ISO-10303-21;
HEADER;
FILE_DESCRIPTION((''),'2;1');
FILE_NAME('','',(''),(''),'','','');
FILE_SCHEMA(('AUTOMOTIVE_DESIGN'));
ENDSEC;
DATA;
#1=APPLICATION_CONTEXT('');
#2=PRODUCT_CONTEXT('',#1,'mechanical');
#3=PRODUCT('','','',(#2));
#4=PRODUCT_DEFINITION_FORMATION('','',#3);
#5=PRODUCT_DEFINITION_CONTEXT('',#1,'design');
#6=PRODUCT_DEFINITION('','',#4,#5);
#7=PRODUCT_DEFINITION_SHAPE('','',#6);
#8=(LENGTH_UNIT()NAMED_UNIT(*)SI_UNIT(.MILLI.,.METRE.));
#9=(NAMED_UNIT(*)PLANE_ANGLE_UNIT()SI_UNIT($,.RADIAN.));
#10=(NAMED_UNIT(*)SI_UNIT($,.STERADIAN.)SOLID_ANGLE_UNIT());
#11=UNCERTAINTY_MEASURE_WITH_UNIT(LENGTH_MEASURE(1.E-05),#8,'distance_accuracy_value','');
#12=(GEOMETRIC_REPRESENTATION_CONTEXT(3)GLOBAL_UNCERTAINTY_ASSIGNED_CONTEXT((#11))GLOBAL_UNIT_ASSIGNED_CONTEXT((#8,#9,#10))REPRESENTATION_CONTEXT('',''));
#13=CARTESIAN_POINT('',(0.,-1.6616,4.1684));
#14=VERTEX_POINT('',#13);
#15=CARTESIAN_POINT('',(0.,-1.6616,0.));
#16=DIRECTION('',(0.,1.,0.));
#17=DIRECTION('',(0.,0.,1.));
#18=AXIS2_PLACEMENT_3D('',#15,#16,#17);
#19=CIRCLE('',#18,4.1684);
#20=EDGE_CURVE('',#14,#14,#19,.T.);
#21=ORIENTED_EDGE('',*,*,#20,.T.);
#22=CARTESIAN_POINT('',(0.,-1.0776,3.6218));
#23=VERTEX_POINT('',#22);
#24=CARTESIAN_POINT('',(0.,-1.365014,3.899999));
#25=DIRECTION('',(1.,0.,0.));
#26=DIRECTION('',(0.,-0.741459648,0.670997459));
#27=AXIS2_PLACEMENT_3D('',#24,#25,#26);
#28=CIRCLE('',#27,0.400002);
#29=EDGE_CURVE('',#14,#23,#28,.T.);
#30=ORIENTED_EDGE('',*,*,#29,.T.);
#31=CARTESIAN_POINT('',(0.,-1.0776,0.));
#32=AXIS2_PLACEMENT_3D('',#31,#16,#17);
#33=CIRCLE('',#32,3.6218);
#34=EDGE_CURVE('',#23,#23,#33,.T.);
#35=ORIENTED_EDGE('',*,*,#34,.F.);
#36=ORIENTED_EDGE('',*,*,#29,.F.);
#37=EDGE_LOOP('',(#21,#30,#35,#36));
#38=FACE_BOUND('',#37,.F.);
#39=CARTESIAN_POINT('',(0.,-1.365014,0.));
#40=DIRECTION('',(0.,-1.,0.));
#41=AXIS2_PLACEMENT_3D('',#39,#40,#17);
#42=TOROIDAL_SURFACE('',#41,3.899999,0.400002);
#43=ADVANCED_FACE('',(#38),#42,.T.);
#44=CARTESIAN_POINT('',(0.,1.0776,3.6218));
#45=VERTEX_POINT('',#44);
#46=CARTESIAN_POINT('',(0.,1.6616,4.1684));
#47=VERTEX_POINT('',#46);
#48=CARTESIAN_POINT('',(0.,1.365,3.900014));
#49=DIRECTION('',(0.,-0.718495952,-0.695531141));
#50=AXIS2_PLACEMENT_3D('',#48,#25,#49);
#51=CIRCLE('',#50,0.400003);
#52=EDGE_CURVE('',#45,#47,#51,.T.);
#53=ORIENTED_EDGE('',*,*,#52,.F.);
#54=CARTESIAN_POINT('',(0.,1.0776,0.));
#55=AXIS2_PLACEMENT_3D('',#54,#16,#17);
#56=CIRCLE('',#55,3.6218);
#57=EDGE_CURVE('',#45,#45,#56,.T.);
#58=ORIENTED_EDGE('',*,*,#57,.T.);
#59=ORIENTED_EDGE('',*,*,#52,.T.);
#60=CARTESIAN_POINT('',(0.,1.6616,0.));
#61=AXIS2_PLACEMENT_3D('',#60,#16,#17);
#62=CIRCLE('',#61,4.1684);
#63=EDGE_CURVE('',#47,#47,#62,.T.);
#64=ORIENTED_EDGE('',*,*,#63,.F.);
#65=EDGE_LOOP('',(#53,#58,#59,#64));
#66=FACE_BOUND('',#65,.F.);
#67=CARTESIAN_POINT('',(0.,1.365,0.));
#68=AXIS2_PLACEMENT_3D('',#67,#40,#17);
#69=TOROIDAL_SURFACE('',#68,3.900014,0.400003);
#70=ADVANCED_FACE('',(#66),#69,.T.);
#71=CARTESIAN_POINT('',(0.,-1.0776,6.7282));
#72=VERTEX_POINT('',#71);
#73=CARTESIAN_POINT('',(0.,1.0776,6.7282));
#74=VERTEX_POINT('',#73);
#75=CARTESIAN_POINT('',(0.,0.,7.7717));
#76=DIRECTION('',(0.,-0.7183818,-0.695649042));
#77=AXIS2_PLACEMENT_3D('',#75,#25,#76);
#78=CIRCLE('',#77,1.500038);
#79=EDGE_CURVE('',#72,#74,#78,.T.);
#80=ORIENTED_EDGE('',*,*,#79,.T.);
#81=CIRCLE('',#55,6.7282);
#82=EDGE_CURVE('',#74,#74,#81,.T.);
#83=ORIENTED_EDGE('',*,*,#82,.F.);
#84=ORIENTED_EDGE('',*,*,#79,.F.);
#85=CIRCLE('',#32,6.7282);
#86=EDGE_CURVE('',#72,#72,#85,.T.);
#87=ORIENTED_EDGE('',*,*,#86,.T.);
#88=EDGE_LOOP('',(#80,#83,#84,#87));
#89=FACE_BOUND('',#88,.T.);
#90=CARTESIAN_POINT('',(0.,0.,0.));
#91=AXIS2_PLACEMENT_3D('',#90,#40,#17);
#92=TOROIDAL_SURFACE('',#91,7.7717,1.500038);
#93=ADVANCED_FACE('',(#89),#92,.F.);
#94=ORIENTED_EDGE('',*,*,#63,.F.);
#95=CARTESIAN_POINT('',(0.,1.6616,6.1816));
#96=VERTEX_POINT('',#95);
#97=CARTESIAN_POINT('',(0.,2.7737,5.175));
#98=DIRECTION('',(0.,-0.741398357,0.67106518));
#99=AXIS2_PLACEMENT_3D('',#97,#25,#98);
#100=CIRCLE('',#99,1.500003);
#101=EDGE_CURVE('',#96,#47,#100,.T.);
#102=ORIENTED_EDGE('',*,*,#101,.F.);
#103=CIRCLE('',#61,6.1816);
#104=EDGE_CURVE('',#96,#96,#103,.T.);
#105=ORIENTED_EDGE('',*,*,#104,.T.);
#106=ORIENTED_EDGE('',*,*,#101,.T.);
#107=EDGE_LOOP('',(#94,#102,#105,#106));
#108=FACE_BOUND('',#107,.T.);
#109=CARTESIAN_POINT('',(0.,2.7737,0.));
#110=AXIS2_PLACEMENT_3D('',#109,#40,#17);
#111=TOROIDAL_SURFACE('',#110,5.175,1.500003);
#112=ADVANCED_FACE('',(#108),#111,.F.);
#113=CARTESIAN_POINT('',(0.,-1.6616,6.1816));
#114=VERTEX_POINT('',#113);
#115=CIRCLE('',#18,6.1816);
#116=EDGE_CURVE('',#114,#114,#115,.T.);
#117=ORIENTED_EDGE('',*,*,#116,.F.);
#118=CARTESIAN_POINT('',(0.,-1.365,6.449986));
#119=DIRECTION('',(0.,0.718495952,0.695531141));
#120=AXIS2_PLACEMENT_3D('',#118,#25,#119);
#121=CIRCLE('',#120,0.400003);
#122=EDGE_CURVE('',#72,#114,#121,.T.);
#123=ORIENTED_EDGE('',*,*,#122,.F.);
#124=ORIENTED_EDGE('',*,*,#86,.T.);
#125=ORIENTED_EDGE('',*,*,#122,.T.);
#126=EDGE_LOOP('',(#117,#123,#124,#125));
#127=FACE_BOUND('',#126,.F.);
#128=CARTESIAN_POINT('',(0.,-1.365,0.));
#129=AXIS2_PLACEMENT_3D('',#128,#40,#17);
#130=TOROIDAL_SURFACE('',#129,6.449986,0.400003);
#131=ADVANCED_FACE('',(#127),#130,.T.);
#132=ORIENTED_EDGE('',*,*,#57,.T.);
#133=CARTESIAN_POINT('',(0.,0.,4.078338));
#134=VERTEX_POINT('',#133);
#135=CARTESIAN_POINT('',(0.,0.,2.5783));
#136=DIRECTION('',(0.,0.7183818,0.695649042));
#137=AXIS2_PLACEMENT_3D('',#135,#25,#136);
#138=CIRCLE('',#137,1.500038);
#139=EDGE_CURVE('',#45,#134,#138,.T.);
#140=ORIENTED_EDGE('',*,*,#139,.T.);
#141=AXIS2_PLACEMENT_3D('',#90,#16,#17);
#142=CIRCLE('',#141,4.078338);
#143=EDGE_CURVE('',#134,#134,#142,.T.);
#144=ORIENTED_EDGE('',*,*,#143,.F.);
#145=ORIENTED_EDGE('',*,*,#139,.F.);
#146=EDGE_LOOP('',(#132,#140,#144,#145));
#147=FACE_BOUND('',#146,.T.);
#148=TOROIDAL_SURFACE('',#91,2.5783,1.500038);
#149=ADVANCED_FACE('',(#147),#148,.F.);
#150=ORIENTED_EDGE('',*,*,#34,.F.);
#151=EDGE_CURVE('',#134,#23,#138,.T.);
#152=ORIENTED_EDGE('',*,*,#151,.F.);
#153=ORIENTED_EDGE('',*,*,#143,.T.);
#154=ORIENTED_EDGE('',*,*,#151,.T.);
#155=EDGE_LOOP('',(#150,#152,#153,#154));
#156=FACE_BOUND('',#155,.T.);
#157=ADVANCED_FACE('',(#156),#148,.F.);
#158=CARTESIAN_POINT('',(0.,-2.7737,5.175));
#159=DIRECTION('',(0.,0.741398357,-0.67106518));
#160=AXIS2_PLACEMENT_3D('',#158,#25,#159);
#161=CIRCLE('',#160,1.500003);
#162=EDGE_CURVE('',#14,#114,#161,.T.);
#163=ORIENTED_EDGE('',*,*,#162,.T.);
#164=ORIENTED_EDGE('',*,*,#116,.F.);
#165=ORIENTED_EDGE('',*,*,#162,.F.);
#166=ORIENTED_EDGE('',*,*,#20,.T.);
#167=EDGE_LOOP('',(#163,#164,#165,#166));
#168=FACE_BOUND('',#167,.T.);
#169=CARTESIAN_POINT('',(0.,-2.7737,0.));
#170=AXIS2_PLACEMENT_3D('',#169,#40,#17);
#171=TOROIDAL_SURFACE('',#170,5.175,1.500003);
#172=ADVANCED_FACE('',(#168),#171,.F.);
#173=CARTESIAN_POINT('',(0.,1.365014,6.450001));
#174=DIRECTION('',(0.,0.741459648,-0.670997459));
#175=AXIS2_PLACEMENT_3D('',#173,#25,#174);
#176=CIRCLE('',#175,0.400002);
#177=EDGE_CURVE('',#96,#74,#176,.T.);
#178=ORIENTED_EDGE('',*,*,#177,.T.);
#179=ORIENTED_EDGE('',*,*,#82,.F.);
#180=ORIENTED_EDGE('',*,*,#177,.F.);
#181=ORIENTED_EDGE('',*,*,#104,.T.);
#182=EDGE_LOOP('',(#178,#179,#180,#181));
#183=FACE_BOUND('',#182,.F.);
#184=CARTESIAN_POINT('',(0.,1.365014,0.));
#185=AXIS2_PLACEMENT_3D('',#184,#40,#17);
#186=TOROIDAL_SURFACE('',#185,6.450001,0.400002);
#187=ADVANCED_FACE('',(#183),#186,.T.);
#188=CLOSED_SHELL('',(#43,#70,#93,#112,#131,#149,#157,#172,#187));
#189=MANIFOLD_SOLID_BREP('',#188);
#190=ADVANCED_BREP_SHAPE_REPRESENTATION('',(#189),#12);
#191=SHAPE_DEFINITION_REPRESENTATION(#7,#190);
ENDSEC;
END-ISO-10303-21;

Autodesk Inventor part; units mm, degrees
ref_plane "YZ Plane" through (0, 0, 0) normal (1, 0, 0) x (0, 1, 0)
ref_plane "XZ Plane" through (0, 0, 0) normal (0, 1, 0) x (-1, 0, 0)
ref_plane "XY Plane" through (0, 0, 0) normal (0, 0, 1) x (1, 0, 0)
sketch "Skizze1" plane through (0, 0, 0) normal (1, 0, 0) x (0, 1, 0)
  arc A0 (-1.0776, 6.7282) -> (-1.6616, 6.1816) centre (-1.365, 6.45) ccw
  arc A1 (-1.0776, 6.7282) -> (1.0776, 6.7282) centre (0, 7.7717) ccw
  arc A2 (1.6616, 6.1816) -> (1.0776, 6.7282) centre (1.365, 6.45) ccw
  arc A3 (1.6616, 6.1816) -> (1.6616, 4.1684) centre (2.7737, 5.175) ccw
  arc A4 (1.0776, 3.6218) -> (1.6616, 4.1684) centre (1.365, 3.9) ccw
  arc A5 (1.0776, 3.6218) -> (-1.0776, 3.6218) centre (0, 2.5783) ccw
  arc A6 (-1.6616, 4.1684) -> (-1.0776, 3.6218) centre (-1.365, 3.9) ccw
  arc A7 (-1.6616, 4.1684) -> (-1.6616, 6.1816) centre (-2.7737, 5.175) ccw
  line L0 (-1.365, 6.45) -> (1.365, 6.45) construction
  line L1 (1.365, 6.45) -> (1.365, 3.9) construction
  line L2 (1.365, 3.9) -> (-1.365, 3.9) construction
  line L3 (-1.365, 3.9) -> (-1.365, 6.45) construction
  line L4 (0, 9.326) -> (0, -1.5543) projected
  line L5 (-3.8831, 0) -> (3.8831, 0) construction
  line L6 (0, 6.45) -> (0, 3.9) construction
  line L7 (-1.365, 5.175) -> (1.365, 5.175) construction
  line L8 (-1.365, 6.45) -> (-1.765, 6.45) construction
  line L9 (-1.365, 3.9) -> (-1.765, 3.9) construction
  line L10 (-1.765, 3.9) -> (-1.765, 6.45) construction
  line L11 (-1.365, 6.45) -> (-1.365, 6.85) construction
  line L12 (-1.365, 3.9) -> (-1.365, 3.5) construction
  line L13 (1.365, 3.9) -> (1.365, 3.5) construction
  line L14 (-1.365, 3.5) -> (1.365, 3.5) construction
  line L15 (1.365, 6.45) -> (1.765, 6.45) construction
  line L16 (1.365, 3.9) -> (1.765, 3.9) construction
  line L17 (-1.365, 6.85) -> (1.365, 6.85) construction
  point P0 (0, 0)
  dimension "d0" = 3.35
  dimension "d1" = 7
  dimension "d2" = 3.53
  dimension "d3" = 1.5
  dimension "d4" = 0.4
revolve "Umdrehung1" add sketch "Skizze1" angle 360 about axis through (0, 0, 0) along (0, 1, 0)
properties part number "X-Ring 5.94x3.53" material "Gummi, Silikon"
